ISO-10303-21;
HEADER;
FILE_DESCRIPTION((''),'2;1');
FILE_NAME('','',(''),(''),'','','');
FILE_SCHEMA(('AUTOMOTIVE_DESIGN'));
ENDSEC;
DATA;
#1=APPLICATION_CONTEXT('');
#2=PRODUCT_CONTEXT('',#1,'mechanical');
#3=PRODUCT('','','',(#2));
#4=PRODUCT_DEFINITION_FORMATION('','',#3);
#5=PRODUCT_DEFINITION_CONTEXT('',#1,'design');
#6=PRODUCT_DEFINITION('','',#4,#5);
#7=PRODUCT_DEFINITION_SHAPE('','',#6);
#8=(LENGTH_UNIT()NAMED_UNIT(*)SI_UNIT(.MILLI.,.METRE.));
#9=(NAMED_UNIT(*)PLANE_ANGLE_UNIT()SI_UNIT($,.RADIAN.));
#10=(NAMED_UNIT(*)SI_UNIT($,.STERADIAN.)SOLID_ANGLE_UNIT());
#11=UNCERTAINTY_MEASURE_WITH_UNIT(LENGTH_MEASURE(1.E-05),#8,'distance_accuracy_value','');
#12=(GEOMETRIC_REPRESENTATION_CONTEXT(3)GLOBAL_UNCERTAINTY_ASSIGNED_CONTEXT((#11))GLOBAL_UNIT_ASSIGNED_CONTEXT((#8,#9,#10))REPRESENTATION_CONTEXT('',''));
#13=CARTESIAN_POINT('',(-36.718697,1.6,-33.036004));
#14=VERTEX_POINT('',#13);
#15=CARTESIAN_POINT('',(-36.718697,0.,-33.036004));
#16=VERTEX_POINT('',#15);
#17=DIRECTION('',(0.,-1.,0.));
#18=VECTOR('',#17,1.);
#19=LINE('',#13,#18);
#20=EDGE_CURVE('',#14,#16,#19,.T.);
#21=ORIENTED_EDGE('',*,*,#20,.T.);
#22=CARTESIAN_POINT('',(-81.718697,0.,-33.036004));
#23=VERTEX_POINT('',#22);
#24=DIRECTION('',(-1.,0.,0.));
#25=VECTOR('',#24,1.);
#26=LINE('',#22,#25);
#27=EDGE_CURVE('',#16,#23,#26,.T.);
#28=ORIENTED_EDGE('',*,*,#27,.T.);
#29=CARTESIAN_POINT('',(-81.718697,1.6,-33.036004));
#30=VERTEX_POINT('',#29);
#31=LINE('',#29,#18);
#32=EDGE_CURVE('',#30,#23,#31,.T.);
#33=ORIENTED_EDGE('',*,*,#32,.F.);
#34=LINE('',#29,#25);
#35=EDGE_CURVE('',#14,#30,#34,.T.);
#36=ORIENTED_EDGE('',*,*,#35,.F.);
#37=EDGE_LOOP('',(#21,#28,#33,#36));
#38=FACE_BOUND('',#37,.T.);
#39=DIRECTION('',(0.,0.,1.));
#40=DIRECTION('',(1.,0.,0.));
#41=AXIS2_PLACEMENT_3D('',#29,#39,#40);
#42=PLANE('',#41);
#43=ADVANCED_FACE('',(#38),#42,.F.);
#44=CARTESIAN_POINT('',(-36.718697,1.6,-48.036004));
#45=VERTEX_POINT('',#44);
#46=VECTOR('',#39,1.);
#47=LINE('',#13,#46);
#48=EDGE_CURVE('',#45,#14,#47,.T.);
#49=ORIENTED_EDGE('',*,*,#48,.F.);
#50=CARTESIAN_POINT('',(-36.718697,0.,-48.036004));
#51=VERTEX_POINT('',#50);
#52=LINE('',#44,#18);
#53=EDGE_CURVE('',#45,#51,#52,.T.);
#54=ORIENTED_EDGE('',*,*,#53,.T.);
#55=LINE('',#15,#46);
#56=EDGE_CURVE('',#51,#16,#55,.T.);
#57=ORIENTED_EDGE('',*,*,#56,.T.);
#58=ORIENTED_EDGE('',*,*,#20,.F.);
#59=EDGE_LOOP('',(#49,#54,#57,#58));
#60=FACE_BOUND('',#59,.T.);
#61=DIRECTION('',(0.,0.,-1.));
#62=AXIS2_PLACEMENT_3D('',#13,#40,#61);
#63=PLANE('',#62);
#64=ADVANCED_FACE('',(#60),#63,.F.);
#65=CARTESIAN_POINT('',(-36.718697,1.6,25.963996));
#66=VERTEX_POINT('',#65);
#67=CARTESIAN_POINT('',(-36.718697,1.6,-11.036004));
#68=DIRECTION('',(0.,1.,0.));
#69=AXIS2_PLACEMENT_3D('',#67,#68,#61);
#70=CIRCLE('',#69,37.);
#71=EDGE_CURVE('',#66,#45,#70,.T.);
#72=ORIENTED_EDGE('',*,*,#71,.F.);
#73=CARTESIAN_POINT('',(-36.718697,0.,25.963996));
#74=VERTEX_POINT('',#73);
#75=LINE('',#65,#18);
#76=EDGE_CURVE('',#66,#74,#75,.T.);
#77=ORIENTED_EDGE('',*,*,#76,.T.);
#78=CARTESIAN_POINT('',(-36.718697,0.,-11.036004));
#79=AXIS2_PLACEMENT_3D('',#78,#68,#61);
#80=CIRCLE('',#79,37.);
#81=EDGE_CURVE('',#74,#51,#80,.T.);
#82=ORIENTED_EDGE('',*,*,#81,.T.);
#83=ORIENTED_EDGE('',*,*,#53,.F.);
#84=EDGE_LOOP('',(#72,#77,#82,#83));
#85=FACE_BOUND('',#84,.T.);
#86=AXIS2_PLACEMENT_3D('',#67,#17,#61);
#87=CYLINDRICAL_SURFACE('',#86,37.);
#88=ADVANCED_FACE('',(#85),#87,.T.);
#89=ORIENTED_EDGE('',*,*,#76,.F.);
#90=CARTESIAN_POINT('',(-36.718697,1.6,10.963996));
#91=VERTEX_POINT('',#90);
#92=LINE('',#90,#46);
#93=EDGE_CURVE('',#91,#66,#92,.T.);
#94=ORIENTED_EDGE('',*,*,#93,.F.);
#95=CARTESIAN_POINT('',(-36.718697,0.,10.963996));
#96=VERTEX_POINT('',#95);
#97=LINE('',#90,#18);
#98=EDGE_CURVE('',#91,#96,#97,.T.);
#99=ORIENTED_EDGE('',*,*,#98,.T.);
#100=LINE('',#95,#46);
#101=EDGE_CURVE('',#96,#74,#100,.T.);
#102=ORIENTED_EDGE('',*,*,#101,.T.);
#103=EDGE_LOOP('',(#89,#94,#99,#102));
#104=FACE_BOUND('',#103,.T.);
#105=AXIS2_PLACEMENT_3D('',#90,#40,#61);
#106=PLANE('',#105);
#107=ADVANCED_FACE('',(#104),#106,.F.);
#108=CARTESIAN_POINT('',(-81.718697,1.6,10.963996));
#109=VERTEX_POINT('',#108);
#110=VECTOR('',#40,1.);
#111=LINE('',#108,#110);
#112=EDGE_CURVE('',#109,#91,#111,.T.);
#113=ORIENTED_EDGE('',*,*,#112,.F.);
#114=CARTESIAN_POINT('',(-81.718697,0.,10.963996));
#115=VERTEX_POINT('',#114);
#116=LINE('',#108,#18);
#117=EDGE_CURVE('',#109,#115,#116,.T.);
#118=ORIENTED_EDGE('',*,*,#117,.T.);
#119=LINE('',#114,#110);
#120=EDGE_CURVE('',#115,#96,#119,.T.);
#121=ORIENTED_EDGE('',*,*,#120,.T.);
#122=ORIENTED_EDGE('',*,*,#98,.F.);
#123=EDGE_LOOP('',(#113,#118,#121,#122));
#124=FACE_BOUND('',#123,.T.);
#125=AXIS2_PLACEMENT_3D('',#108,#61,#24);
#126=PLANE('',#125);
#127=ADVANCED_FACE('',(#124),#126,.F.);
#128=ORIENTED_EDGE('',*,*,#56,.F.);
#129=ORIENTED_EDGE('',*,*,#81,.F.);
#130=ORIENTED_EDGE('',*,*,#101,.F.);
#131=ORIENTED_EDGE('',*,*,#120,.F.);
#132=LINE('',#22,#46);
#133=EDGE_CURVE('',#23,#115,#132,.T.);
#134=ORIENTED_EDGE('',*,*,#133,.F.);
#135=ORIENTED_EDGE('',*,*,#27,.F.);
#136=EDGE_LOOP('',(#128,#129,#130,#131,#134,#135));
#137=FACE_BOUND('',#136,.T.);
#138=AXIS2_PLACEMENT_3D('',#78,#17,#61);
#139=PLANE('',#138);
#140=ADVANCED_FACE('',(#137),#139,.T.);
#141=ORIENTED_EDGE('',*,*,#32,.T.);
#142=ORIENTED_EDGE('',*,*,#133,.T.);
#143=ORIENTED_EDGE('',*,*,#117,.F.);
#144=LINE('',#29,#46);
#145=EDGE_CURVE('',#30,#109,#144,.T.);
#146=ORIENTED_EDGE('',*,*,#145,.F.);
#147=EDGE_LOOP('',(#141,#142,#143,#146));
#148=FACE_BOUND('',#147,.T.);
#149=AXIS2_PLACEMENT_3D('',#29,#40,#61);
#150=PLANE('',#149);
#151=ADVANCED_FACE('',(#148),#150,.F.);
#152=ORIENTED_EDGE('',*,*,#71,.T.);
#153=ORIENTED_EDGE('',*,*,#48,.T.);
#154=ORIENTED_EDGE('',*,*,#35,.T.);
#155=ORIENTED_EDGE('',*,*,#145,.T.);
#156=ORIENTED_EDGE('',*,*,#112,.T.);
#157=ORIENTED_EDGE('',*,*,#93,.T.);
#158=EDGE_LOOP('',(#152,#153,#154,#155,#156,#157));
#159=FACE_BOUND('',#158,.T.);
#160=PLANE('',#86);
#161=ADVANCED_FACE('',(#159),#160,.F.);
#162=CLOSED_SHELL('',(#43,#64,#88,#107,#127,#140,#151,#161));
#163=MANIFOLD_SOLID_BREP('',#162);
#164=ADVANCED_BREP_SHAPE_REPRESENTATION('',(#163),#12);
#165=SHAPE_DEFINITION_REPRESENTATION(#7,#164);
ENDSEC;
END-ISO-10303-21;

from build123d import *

# Parameters (mm, degrees)
BOSS_EXTRUDE1_DEPTH = 1.6


with BuildPart() as part:
    # Sketch1 → Boss-Extrude1 (new body)
    with BuildSketch(Plane(origin=(0, 0, 0), x_dir=(1, 0, 0), z_dir=(0, 1, 0))):
        with BuildLine():
            Line((-81.718696665, 33.036003586), (-81.718696665, -10.963996414))
            Line((-81.718696665, -10.963996414), (-36.718696665, -10.963996414))
            Line((-36.718696665, -10.963996414), (-36.718696665, -25.963996414))
            ThreePointArc((-36.718696665, -25.963996414), (0.281303335, 11.036003586), (-36.718696665, 48.036003586))
            Line((-36.718696665, 48.036003586), (-36.718696665, 33.036003586))
            Line((-36.718696665, 33.036003586), (-81.718696665, 33.036003586))
        make_face()
    extrude(amount=BOSS_EXTRUDE1_DEPTH)


solid = part.part
